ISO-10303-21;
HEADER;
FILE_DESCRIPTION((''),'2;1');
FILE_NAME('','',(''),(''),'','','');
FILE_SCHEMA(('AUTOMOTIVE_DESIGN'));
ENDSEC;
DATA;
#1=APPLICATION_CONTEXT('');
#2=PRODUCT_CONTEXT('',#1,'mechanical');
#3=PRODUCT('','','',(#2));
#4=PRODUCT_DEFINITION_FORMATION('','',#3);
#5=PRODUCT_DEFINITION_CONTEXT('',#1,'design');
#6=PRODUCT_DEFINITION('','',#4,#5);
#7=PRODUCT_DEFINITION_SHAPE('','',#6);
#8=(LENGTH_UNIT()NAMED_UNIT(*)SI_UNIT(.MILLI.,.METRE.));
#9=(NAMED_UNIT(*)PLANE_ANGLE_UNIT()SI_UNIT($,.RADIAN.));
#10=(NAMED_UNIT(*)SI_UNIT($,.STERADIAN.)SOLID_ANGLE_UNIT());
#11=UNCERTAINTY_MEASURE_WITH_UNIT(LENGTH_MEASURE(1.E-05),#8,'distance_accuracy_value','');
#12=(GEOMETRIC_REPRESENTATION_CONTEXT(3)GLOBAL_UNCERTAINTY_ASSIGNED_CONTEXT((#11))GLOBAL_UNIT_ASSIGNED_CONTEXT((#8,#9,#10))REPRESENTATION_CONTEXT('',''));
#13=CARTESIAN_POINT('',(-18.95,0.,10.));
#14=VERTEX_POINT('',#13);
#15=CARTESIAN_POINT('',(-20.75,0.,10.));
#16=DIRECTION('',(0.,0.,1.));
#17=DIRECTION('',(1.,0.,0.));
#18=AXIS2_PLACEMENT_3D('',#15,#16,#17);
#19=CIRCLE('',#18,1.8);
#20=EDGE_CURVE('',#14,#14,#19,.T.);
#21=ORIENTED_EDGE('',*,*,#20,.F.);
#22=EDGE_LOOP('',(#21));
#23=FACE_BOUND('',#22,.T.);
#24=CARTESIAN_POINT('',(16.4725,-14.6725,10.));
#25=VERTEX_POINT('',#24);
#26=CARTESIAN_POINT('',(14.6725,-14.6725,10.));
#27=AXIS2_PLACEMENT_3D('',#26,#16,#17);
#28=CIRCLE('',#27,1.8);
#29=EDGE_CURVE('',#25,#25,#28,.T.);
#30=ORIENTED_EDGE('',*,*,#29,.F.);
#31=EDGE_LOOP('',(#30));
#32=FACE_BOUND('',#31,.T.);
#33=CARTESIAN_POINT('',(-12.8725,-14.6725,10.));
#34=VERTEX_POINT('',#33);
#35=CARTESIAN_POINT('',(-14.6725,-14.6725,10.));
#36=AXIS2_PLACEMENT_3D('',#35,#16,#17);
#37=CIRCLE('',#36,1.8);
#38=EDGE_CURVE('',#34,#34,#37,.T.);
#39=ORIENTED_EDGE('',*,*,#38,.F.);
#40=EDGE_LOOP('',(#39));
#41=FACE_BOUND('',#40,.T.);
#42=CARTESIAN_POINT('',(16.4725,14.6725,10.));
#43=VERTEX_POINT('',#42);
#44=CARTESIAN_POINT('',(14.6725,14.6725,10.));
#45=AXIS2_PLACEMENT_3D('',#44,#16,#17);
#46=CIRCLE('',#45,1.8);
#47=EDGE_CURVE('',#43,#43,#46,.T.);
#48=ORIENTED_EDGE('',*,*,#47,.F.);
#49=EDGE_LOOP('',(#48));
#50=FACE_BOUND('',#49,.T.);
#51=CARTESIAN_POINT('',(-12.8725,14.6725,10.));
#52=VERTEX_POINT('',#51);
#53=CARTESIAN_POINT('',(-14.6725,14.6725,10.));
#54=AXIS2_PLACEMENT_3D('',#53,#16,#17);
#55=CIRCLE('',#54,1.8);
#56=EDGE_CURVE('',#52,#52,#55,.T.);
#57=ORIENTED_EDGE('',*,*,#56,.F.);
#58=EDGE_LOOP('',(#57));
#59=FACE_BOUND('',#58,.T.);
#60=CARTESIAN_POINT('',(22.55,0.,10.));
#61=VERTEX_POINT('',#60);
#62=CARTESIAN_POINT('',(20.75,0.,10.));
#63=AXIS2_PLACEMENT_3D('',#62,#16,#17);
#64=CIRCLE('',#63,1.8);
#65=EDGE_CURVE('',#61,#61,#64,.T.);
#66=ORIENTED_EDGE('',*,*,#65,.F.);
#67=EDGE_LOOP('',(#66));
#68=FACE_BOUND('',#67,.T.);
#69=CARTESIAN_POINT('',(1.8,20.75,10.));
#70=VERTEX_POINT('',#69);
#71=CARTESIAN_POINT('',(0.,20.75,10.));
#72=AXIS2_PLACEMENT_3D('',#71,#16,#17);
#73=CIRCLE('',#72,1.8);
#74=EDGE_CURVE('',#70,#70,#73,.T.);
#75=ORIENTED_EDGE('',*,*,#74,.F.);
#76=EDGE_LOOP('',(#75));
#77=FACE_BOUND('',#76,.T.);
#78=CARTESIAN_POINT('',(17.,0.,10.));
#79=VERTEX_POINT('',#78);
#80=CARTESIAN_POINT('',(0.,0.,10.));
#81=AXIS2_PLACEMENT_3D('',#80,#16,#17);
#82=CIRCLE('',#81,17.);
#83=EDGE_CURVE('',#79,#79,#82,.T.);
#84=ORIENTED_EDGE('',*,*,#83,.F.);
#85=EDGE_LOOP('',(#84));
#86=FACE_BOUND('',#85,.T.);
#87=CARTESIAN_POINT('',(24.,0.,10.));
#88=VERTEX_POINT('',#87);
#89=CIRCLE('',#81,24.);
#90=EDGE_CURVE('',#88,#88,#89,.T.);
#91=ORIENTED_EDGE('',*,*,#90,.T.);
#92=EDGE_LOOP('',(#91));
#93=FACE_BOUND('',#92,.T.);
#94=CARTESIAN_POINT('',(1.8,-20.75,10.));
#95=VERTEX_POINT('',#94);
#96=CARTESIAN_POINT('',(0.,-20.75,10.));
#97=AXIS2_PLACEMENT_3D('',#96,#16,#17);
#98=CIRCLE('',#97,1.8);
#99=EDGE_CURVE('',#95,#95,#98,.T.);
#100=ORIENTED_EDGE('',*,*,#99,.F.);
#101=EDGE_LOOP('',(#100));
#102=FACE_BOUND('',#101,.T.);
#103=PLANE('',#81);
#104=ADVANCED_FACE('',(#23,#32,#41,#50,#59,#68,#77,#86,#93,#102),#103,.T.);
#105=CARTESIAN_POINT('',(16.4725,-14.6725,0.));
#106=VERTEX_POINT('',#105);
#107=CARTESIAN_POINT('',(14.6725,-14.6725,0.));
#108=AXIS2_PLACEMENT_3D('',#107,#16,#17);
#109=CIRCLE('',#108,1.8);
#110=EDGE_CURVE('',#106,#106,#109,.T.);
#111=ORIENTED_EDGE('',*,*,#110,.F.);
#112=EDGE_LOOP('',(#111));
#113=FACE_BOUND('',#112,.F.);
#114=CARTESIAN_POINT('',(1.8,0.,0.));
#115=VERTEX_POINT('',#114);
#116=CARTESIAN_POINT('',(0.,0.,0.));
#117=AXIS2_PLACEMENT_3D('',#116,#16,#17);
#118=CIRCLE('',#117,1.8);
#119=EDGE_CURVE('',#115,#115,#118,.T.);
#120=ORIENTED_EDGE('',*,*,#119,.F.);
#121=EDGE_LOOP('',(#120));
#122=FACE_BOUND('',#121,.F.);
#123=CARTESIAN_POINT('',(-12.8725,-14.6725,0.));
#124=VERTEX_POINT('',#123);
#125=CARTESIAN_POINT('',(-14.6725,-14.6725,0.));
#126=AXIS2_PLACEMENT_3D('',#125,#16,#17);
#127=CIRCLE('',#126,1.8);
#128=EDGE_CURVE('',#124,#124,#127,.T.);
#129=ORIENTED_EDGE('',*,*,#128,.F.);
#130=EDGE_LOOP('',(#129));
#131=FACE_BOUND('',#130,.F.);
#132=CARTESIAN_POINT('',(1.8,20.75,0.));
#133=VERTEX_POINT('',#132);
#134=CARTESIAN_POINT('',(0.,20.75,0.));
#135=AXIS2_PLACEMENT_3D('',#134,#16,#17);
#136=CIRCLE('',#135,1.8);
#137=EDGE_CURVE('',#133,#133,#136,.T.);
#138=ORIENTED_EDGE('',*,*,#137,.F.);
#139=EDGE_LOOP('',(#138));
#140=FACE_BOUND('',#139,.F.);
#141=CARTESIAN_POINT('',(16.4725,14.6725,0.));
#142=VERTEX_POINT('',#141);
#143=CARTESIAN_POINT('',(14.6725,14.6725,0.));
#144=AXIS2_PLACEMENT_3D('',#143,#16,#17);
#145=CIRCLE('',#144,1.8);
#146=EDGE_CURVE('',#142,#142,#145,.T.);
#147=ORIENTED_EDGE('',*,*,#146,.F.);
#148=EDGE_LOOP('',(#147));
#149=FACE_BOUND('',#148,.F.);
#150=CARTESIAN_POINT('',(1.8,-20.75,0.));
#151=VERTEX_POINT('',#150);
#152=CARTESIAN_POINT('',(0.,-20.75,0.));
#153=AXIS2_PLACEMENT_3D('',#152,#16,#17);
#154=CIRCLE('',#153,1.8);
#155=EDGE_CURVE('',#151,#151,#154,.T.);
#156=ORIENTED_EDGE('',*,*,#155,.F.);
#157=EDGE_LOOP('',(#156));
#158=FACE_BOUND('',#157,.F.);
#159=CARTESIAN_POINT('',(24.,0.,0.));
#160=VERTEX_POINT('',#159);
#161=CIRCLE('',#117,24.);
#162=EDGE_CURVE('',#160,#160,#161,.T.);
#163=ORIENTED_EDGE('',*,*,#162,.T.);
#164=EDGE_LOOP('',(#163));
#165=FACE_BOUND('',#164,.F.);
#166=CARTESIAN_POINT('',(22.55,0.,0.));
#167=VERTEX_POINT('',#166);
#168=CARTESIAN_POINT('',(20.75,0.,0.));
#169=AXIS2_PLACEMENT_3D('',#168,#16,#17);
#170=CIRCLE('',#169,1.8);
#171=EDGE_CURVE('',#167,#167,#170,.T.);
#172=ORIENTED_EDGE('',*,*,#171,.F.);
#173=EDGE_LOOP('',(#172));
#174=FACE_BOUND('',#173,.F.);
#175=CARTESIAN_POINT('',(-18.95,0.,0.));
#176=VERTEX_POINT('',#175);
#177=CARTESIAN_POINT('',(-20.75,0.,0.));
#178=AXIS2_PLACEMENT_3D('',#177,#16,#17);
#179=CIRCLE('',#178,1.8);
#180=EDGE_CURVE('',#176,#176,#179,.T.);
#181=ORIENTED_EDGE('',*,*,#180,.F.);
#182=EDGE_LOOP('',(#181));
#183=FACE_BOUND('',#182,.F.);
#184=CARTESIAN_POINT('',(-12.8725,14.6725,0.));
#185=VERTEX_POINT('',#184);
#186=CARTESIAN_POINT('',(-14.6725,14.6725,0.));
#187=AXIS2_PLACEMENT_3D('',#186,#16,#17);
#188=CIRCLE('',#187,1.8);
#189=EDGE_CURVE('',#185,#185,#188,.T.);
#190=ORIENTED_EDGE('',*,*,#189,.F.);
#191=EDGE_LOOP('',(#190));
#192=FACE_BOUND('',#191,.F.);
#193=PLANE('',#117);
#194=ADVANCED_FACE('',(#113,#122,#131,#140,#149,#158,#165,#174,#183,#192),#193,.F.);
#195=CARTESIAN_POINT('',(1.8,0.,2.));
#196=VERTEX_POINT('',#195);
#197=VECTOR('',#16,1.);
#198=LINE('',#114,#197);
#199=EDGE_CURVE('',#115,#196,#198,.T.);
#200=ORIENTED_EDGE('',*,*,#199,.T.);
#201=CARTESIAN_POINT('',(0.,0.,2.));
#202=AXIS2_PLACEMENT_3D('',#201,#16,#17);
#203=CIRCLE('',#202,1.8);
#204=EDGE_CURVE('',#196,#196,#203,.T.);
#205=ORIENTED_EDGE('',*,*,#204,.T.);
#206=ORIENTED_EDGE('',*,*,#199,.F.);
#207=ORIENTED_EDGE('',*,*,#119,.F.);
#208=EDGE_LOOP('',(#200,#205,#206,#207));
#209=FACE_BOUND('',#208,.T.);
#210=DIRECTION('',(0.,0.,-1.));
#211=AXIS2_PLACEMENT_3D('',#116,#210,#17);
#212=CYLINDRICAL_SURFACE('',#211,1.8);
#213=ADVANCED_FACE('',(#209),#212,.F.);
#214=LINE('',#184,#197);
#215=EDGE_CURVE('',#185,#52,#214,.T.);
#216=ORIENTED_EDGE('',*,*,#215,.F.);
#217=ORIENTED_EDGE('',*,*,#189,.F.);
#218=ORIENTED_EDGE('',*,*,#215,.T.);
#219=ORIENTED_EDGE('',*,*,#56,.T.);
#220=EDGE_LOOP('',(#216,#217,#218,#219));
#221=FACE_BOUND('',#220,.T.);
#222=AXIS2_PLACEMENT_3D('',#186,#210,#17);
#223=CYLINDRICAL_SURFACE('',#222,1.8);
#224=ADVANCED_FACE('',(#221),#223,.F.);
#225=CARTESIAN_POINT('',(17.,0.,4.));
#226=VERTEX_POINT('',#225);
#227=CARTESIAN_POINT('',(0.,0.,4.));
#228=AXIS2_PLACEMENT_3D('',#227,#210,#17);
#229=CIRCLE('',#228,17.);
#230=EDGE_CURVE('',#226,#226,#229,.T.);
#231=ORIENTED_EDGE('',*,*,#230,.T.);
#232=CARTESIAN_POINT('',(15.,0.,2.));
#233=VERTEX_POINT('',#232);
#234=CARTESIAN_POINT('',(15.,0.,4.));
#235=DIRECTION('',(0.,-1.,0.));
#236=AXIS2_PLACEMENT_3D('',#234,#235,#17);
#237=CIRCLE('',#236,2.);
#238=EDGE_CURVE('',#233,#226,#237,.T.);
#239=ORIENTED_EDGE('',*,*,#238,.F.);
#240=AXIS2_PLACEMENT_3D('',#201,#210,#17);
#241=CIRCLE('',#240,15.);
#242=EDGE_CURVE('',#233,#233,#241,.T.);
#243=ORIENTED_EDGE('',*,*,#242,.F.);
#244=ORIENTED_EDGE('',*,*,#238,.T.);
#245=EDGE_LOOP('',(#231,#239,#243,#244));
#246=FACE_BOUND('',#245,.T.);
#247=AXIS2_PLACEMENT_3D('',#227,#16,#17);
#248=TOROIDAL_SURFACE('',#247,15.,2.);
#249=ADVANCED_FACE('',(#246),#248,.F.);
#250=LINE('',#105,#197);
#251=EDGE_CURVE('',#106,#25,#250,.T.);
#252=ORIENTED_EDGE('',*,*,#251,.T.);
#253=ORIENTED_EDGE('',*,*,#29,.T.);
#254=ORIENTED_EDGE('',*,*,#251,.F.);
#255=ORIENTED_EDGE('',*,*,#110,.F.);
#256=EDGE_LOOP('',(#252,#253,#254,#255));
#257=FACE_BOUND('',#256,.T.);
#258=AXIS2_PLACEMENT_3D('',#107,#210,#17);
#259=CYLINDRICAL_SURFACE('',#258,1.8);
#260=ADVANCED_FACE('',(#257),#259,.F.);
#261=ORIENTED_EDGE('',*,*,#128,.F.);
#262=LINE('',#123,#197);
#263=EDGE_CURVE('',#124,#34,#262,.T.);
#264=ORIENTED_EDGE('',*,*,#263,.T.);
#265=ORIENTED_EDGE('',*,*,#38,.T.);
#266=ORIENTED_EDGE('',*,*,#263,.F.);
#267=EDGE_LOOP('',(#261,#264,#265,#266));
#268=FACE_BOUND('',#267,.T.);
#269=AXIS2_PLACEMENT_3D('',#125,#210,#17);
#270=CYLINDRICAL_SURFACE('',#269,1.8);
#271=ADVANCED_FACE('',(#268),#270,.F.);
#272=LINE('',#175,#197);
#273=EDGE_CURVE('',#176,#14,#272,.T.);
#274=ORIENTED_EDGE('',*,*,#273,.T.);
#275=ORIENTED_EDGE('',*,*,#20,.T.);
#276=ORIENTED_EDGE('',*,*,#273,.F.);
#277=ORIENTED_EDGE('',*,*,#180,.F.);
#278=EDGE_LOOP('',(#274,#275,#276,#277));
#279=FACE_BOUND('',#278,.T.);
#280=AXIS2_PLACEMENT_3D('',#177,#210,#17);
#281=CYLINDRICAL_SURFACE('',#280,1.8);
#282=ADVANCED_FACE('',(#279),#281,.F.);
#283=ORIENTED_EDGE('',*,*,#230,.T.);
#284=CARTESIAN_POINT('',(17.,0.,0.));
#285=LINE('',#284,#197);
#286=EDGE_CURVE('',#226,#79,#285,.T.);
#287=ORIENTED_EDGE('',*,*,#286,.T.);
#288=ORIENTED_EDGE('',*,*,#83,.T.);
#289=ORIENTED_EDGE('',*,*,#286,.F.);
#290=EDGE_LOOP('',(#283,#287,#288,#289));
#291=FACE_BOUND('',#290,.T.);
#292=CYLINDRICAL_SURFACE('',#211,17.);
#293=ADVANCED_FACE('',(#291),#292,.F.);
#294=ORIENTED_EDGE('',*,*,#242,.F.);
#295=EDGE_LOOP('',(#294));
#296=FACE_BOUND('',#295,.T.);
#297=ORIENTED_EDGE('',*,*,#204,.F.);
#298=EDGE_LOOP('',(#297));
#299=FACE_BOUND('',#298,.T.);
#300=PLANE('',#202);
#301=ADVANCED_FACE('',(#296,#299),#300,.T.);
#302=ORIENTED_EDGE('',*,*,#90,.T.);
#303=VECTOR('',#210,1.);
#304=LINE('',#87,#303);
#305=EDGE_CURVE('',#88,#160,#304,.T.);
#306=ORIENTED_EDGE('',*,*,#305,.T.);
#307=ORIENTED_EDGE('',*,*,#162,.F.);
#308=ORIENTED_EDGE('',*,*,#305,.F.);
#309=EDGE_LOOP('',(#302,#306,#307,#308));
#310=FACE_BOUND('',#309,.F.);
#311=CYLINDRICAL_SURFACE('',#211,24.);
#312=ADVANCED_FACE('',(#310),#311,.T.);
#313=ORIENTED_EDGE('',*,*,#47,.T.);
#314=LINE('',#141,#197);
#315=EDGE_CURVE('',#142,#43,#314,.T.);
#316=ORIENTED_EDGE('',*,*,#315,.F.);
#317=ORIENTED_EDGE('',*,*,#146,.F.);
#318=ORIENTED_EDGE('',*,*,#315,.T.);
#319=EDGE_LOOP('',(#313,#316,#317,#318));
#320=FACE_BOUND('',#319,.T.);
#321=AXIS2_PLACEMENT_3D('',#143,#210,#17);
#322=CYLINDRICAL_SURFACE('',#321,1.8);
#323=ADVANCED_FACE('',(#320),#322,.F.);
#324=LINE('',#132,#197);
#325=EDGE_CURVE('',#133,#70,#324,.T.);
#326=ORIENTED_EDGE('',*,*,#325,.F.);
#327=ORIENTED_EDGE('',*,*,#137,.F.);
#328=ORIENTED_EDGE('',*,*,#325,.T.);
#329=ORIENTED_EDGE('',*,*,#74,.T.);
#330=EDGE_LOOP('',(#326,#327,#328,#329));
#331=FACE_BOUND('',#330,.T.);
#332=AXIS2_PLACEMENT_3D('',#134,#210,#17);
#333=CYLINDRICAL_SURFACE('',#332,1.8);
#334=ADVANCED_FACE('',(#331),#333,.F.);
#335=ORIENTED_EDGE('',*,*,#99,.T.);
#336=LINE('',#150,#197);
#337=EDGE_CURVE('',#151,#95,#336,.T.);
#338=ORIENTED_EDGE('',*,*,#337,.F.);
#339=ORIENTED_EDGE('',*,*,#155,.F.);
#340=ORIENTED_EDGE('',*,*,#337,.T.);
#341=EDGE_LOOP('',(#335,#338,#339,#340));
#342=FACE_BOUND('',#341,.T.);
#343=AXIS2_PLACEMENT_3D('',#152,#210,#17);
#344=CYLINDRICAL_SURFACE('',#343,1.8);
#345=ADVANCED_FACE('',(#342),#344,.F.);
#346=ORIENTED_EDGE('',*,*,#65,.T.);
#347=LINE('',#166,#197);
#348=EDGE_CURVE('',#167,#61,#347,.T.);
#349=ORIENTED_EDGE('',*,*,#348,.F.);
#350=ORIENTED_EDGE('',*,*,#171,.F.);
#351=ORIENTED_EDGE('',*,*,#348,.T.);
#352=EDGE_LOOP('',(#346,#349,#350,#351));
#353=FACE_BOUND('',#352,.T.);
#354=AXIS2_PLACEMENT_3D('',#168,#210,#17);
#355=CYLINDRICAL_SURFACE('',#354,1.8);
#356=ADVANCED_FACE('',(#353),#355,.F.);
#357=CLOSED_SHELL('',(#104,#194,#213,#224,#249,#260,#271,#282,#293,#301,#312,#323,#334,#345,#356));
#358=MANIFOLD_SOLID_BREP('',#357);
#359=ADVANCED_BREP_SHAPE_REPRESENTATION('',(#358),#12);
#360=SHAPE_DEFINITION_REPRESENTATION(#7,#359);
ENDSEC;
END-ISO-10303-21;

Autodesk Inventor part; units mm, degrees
ref_plane "YZ Plane" through (0, 0, 0) normal (1, 0, 0) x (0, 1, 0)
ref_plane "XZ Plane" through (0, 0, 0) normal (0, 1, 0) x (-1, 0, 0)
ref_plane "XY Plane" through (0, 0, 0) normal (0, 0, 1) x (1, 0, 0)
sketch "Sketch1" plane through (0, 0, 0) normal (0, 0, 1) x (1, 0, 0)
  circle A0 centre (0, 0) radius 1.8
  circle A1 centre (0, 0) radius 17
  circle A2 centre (0, 0) radius 8.5
  circle A3 centre (0, 0) radius 24
  circle A4 centre (20.75, 0) radius 1.8
  circle A5 centre (14.6725, 14.6725) radius 1.8
  circle A6 centre (0, 20.75) radius 1.8
  circle A7 centre (-14.6725, 14.6725) radius 1.8
  circle A8 centre (-20.75, 0) radius 1.8
  circle A9 centre (-14.6725, -14.6725) radius 1.8
  circle A10 centre (0, -20.75) radius 1.8
  circle A11 centre (14.6725, -14.6725) radius 1.8
  dimension "d0" = 3.6
  dimension "d1" = 34
  dimension "d2" = 17
  dimension "d3" = 48
  dimension "d4" = 3.6
  dimension "d5" = 20.75
  dimension "d8" = 360
extrude "Extrusion1" add sketch "Sketch1" along normal blind 2 contours A1 | A2 | A3
extrude "Extrusion2" add sketch "Sketch1" along normal blind 10 contours A3
fillet "Fillet1" radius 2 1 edges at (-17, 0, 2)
properties part number "MoldeA"
